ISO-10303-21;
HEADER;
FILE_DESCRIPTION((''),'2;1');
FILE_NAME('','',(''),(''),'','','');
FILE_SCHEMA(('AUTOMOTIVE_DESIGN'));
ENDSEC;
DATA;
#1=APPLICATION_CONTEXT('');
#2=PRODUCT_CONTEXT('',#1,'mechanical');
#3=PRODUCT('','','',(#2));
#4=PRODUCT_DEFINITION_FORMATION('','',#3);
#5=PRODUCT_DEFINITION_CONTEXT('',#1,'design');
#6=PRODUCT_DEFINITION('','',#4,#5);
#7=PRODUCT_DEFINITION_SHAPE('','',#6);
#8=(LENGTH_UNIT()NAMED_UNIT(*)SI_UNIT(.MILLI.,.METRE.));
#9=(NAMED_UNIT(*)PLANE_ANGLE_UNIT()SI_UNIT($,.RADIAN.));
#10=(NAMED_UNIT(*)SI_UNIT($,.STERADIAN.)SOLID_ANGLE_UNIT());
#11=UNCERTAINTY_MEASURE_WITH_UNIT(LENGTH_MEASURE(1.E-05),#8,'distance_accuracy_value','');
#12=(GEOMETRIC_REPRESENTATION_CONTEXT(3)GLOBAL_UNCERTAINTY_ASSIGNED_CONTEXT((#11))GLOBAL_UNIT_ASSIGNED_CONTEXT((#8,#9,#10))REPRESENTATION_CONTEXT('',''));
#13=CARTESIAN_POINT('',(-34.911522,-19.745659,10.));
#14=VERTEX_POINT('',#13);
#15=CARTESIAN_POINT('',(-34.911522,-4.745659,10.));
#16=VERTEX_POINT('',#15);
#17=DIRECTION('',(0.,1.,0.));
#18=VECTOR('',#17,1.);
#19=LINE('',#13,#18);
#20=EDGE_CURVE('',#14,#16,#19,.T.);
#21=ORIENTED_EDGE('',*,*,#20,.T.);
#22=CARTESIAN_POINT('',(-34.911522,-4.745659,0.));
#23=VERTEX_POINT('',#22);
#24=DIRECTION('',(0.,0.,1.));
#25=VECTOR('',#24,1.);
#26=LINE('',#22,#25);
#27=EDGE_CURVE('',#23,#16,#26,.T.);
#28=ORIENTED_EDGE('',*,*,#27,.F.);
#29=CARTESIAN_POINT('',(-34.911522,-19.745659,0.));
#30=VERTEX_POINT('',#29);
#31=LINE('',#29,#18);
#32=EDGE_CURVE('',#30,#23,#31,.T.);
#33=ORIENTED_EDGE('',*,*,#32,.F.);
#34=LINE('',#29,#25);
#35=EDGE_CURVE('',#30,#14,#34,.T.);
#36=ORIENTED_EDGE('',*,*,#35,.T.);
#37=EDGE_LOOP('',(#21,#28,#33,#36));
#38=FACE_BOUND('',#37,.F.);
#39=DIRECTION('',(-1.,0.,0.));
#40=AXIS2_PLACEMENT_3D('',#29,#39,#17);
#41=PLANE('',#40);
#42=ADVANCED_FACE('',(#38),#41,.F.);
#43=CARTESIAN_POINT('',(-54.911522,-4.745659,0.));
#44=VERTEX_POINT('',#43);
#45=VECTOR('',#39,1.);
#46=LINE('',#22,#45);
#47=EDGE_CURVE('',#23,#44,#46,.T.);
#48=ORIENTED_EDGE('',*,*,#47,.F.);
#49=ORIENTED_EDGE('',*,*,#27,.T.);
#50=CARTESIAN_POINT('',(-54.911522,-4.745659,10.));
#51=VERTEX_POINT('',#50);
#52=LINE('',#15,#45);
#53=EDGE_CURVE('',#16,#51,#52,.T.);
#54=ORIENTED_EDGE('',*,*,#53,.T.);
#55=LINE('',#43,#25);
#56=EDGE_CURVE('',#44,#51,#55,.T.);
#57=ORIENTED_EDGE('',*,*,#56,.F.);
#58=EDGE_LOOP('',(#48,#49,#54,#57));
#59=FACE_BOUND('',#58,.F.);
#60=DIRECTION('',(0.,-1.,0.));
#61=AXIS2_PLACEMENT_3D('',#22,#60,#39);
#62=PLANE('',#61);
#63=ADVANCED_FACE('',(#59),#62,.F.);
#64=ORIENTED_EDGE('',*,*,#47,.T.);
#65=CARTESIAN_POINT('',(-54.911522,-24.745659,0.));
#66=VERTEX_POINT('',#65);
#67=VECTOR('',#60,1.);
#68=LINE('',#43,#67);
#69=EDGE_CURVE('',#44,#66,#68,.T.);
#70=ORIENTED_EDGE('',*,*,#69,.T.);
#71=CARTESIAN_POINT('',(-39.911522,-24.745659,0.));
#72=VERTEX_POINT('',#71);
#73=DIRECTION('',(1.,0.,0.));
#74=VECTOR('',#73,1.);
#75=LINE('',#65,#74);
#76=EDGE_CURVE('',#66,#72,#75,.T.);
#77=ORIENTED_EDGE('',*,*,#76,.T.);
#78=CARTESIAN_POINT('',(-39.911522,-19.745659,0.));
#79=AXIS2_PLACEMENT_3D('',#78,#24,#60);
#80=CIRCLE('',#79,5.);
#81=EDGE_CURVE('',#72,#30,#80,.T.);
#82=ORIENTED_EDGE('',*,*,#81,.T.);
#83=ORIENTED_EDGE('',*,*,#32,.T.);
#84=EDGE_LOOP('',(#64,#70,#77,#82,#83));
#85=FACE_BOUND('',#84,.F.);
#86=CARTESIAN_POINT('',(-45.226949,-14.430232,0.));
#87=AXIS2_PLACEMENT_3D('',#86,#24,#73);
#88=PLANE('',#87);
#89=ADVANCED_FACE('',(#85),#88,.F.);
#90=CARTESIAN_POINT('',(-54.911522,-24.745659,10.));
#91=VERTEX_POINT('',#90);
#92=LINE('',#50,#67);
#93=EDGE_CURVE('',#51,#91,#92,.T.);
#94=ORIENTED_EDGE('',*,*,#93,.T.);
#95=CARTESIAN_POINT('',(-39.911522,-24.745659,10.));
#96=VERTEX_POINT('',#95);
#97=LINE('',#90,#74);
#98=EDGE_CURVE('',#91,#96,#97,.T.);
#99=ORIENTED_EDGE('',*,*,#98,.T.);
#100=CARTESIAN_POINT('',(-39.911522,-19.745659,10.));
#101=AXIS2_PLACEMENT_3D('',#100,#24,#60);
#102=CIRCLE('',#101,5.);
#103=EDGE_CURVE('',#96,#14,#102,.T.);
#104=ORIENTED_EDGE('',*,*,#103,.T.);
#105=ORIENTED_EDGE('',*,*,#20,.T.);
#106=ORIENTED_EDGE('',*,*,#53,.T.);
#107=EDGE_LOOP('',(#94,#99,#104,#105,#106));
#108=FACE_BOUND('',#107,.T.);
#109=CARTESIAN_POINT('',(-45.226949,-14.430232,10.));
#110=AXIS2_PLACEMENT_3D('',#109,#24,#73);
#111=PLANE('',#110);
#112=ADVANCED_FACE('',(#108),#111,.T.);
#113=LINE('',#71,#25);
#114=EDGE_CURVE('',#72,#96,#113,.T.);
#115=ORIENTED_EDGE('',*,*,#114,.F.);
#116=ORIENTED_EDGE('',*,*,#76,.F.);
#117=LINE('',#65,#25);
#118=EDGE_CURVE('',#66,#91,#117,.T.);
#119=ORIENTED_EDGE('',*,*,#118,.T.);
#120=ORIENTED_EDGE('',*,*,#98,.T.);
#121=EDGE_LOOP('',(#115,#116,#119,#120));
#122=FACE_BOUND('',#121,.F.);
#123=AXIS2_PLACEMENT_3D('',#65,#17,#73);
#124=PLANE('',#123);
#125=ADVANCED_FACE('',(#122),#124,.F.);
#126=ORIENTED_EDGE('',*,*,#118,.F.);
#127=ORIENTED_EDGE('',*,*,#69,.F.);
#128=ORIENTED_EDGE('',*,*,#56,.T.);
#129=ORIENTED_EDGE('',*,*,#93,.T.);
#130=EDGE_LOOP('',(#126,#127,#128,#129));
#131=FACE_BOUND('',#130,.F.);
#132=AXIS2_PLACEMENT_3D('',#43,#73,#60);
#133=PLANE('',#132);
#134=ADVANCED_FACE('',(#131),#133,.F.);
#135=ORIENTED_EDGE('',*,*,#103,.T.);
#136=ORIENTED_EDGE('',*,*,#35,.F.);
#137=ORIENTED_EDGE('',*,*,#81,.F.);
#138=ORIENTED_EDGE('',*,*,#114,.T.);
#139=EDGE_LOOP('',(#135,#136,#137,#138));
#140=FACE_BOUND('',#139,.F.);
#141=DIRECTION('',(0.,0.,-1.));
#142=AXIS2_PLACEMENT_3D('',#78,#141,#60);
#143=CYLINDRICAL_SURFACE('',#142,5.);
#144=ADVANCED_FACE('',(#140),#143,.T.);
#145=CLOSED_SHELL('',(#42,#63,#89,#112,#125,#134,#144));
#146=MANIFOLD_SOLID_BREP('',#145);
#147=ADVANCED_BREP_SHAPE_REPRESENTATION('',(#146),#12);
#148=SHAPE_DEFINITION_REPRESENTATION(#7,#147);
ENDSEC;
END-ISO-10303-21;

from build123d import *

# Parameters (mm, degrees)
F0_R     = 6.4637008333
F1_DEPTH = 10
F2_DEPTH = 10


with BuildPart() as f1:
    # F0 (on Top) → F1 (new body)
    with BuildSketch(Plane.XY):
        with BuildLine():
            Line((-34.9115224183, -4.7456585551), (-54.9115224183, -4.7456585551))
            Line((-54.9115224183, -4.7456585551), (-54.9115224183, -24.7456585551))
            Line((-54.9115224183, -24.7456585551), (-39.9115224183, -24.7456585551))
            ThreePointArc((-39.9115224183, -24.7456585551), (-36.3759885123, -23.2811924611), (-34.9115224183, -19.7456585551))
            Line((-34.9115224183, -19.7456585551), (-34.9115224183, -4.7456585551))
        make_face()
        with Locations((-44.9115224183, -14.7456585551)):
            Circle(F0_R, mode=Mode.SUBTRACT)
        with Locations((-44.9115224183, -14.7456585551)):
            Circle(F0_R)
    extrude(amount=F1_DEPTH)

    # F0 (on Top) → F2 (join)
    with BuildSketch(Plane.XY):
        with BuildLine():
            Line((-34.9115224183, -4.7456585551), (-54.9115224183, -4.7456585551))
            Line((-54.9115224183, -4.7456585551), (-54.9115224183, -24.7456585551))
            Line((-54.9115224183, -24.7456585551), (-39.9115224183, -24.7456585551))
            ThreePointArc((-39.9115224183, -24.7456585551), (-36.3759885123, -23.2811924611), (-34.9115224183, -19.7456585551))
            Line((-34.9115224183, -19.7456585551), (-34.9115224183, -4.7456585551))
        make_face()
        with Locations((-44.9115224183, -14.7456585551)):
            Circle(F0_R, mode=Mode.SUBTRACT)
    extrude(amount=F2_DEPTH)


solid = f1.part
